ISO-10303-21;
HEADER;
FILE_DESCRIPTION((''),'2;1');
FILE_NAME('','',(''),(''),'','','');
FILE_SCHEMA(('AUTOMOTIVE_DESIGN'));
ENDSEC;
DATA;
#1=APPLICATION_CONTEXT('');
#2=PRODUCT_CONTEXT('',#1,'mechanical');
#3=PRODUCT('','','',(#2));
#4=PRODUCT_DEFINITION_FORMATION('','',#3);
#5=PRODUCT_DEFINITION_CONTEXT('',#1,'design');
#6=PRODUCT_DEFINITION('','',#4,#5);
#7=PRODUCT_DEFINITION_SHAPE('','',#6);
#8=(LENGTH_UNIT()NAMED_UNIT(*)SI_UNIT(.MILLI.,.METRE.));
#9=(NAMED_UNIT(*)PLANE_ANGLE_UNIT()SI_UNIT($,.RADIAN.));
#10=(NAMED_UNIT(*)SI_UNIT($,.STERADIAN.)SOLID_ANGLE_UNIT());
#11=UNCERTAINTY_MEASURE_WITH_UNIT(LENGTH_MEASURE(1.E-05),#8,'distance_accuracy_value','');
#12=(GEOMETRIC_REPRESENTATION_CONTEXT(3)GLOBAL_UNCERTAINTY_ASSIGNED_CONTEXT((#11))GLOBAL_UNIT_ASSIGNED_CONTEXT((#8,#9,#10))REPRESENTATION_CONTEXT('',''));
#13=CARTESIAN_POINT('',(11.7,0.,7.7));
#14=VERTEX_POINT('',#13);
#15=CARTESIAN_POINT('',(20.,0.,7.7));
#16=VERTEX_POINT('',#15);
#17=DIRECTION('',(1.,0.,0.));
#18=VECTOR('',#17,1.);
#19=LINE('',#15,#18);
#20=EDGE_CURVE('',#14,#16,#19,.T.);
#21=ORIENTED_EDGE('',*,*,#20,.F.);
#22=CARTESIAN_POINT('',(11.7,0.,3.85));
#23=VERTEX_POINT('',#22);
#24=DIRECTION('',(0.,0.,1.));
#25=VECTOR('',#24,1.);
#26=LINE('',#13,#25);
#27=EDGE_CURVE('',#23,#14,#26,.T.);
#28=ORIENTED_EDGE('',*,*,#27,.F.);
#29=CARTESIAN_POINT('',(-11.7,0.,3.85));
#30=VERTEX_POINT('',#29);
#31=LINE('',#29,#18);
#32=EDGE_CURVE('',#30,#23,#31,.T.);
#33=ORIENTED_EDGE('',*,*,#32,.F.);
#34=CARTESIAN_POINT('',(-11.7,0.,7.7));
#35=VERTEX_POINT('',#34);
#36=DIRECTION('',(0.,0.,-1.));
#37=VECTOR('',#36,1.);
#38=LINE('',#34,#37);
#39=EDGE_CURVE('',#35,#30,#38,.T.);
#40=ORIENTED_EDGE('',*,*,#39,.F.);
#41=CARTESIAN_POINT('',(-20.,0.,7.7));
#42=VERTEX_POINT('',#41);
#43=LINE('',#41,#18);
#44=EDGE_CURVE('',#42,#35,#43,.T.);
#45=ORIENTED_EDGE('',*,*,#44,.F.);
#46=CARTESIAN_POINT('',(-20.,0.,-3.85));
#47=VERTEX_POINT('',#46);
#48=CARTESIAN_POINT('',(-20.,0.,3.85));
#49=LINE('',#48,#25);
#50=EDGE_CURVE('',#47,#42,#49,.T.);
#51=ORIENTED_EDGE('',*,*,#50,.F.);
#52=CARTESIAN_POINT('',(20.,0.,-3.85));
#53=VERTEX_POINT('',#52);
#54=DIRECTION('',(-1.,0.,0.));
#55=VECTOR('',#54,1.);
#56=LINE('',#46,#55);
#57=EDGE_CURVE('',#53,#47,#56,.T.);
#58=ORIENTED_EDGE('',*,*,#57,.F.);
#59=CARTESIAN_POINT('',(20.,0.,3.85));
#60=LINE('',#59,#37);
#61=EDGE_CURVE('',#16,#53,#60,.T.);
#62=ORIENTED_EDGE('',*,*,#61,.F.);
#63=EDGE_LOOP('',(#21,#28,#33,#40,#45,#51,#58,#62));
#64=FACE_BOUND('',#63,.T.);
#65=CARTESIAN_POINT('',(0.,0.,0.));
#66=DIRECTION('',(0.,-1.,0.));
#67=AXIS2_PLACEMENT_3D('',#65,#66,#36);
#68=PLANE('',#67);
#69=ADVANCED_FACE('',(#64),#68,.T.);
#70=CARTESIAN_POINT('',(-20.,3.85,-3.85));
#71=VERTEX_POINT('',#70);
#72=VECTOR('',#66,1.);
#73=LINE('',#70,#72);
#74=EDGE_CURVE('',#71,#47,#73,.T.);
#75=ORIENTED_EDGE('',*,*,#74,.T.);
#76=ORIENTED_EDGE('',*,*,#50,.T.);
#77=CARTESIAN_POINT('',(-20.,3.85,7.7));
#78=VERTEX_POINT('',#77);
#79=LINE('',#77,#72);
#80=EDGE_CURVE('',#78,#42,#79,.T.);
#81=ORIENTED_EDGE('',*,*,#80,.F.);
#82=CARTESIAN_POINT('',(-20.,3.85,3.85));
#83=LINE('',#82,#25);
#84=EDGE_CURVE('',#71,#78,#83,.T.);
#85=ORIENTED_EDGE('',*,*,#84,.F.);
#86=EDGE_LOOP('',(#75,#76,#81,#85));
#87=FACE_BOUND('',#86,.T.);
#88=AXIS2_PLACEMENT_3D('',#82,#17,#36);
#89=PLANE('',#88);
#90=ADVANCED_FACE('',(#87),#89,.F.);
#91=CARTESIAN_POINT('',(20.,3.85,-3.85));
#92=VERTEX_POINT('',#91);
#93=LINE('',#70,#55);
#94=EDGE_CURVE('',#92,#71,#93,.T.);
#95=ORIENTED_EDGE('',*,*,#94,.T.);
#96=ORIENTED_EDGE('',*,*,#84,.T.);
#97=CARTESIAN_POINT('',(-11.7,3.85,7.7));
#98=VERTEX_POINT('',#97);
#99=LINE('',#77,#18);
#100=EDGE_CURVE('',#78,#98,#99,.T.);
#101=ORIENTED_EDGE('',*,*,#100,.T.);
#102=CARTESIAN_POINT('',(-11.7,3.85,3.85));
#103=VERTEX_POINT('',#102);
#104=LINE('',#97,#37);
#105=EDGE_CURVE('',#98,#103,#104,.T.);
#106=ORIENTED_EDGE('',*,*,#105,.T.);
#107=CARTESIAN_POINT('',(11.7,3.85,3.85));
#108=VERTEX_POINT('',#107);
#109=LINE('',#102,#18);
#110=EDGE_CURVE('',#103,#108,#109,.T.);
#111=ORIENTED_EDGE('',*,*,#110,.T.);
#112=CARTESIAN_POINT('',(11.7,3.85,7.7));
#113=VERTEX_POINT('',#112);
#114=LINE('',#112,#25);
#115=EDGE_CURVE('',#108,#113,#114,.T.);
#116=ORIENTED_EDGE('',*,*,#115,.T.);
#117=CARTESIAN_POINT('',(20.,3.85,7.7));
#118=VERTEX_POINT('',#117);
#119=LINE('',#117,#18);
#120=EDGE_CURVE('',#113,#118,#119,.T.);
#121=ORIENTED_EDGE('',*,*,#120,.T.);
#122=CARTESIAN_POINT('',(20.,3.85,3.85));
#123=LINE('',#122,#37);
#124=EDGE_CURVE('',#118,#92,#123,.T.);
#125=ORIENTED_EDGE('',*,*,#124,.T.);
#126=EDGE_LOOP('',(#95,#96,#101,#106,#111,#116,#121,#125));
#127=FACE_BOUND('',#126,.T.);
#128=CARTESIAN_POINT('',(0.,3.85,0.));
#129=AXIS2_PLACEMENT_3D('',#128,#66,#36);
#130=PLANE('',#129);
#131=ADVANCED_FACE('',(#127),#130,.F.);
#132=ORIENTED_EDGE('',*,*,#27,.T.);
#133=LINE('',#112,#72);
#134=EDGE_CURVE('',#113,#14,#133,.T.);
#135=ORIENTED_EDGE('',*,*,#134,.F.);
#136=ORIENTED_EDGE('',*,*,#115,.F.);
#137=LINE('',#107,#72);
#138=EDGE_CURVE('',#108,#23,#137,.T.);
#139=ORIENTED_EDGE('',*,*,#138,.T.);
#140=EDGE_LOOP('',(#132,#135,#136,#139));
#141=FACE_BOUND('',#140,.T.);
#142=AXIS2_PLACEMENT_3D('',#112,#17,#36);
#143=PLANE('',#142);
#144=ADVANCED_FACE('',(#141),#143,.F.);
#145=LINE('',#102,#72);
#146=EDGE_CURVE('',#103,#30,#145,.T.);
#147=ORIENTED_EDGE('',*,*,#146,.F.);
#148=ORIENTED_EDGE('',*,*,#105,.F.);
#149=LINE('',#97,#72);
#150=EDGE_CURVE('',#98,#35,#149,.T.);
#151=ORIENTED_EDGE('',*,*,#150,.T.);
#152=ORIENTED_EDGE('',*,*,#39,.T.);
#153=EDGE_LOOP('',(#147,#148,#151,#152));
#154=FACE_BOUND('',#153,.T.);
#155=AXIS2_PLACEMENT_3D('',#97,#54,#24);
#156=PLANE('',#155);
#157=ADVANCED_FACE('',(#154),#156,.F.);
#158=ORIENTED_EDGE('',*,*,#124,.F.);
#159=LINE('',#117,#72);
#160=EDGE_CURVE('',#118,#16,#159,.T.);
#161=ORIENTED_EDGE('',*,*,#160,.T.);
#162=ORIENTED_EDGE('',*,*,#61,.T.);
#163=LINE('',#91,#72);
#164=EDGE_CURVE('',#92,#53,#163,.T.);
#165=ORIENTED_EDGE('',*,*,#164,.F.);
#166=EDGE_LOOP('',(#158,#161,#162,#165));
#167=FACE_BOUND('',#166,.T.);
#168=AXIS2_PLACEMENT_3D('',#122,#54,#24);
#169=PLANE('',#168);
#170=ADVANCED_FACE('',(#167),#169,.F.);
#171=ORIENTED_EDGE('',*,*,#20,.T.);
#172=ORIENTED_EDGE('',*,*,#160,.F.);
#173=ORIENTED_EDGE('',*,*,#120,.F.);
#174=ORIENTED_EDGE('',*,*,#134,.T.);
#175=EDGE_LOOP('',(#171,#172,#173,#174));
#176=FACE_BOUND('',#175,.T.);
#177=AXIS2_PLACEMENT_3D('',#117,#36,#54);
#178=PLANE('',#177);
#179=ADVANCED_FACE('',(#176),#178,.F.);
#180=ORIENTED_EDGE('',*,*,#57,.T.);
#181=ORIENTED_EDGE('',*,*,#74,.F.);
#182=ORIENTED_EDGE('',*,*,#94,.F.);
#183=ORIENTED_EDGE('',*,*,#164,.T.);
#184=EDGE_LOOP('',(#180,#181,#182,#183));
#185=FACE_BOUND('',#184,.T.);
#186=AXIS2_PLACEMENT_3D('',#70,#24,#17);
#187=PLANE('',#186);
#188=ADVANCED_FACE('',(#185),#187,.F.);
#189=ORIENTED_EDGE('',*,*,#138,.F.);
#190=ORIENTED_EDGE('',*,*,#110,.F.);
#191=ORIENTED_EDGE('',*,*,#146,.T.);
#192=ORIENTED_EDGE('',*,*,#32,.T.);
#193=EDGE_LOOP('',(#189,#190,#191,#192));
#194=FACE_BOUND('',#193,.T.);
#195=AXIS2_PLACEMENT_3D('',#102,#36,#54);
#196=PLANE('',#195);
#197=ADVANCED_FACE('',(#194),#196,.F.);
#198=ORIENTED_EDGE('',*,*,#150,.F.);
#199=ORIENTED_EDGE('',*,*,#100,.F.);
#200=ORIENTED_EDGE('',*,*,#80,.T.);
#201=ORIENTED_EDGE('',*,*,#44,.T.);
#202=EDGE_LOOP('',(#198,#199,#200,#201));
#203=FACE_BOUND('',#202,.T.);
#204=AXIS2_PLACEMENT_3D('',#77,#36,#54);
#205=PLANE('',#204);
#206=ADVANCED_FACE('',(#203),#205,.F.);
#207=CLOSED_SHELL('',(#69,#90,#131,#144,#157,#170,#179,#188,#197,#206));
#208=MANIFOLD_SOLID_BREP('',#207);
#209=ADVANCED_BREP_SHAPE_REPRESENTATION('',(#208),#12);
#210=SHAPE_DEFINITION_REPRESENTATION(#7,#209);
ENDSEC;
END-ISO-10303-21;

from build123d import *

# Parameters (mm, degrees)
BOSS_EXTRUDE1_DEPTH = 3.85


with BuildPart() as part:
    # Sketch1 → Boss-Extrude1 (new body)
    with BuildSketch(Plane(origin=(0, 0, 0), x_dir=(1, 0, 0), z_dir=(0, 1, 0))):
        Polygon((-20, -3.85), (-20, -7.7), (-11.7, -7.7), (-11.7, -3.85), (11.7, -3.85), (11.7, -7.7), (20, -7.7), (20, -3.85), (20, 3.85), (-20, 3.85), align=None)
    extrude(amount=BOSS_EXTRUDE1_DEPTH)


solid = part.part
